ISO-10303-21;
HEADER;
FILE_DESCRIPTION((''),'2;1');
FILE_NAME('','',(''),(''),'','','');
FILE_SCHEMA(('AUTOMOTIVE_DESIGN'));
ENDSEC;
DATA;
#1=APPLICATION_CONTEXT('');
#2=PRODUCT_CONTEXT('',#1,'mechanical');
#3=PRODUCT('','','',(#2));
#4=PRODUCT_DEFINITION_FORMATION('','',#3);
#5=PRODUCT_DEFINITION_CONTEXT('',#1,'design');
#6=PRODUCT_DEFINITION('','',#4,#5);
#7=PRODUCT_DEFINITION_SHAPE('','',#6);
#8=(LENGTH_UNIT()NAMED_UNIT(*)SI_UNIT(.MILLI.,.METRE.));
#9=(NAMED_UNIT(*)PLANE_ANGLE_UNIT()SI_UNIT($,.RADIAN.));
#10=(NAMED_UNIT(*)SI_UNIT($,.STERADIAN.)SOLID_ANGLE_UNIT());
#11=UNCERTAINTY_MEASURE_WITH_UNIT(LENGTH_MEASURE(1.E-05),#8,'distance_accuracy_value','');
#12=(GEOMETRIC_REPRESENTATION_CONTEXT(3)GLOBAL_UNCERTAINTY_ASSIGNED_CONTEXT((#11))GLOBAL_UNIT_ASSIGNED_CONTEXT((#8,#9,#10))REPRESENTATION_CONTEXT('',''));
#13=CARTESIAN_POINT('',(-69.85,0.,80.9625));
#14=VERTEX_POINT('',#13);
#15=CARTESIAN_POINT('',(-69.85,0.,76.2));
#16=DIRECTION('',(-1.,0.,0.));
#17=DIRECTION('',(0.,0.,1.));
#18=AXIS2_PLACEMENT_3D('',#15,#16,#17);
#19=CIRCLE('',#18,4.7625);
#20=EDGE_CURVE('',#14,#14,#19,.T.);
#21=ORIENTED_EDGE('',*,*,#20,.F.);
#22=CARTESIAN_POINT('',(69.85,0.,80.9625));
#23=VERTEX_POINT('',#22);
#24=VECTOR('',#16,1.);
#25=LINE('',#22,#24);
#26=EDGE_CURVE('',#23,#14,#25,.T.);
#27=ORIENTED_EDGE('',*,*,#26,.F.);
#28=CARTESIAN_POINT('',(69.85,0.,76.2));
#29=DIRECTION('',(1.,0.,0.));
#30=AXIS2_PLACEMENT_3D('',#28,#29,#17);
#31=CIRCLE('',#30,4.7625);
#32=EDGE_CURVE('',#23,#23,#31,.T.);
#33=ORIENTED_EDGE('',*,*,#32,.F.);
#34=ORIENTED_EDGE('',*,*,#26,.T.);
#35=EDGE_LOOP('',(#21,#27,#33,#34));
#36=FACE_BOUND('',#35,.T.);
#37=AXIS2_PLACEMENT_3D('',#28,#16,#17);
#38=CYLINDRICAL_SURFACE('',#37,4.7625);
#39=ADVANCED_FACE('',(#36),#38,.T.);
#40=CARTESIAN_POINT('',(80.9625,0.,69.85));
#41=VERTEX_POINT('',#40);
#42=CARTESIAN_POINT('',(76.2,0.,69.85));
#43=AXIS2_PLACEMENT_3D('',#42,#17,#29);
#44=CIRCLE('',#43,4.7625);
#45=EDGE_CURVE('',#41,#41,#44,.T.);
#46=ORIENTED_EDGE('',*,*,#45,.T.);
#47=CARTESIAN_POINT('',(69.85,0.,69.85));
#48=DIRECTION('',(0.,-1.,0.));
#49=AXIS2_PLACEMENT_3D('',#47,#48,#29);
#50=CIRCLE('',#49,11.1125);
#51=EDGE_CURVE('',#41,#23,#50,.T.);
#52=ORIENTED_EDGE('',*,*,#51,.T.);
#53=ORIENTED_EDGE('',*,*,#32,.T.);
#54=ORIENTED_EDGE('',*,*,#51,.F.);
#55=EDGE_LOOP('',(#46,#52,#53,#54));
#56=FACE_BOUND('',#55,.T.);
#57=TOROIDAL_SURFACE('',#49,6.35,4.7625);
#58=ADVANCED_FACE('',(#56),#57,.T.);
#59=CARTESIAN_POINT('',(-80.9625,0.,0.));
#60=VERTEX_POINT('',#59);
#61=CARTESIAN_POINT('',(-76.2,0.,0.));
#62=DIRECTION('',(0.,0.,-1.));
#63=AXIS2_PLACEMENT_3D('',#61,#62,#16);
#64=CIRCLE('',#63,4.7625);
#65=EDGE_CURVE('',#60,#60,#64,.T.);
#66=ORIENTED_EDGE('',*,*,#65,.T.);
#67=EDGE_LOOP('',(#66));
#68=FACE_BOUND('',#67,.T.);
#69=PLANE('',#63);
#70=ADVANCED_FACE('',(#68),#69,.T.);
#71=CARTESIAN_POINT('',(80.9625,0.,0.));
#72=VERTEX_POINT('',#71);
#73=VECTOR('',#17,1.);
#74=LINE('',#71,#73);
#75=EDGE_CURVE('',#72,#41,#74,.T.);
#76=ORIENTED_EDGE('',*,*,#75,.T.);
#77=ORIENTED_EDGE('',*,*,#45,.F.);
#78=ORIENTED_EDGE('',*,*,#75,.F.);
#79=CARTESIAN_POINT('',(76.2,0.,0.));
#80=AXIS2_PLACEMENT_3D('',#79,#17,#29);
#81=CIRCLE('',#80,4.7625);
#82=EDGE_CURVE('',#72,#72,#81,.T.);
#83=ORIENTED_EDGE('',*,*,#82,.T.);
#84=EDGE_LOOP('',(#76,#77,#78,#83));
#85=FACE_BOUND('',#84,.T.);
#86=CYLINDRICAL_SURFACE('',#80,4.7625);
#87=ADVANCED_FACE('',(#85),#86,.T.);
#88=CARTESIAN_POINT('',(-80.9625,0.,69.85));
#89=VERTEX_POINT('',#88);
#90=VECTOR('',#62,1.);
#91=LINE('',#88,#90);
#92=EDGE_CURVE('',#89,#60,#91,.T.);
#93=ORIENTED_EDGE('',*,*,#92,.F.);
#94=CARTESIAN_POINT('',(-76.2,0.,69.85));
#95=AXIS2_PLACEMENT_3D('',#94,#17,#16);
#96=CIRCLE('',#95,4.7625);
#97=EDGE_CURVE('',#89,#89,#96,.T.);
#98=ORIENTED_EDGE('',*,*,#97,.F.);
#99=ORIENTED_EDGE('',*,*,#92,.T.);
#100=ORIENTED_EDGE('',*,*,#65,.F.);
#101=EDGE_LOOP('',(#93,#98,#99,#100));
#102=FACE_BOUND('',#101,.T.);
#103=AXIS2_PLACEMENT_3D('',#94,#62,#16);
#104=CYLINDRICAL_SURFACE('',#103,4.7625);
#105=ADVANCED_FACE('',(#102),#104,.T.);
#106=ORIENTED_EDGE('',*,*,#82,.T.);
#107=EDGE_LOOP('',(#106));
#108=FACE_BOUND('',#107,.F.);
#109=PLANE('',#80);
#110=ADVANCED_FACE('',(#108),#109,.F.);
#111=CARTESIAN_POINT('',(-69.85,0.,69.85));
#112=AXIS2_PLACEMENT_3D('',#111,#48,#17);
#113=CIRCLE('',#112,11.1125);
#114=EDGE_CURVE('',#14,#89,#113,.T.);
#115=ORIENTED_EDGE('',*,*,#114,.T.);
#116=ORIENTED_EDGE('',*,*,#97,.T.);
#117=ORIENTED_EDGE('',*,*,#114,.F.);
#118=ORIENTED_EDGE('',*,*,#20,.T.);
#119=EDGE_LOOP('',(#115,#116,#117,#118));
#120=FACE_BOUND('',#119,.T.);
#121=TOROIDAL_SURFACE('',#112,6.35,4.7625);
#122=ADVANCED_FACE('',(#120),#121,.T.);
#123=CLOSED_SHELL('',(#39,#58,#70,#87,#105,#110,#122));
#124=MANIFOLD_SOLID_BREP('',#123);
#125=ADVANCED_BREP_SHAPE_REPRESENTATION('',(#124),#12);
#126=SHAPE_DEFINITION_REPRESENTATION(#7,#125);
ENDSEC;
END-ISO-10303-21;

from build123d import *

# Parameters (mm, degrees)
F0_R = 4.7625


with BuildPart() as f2:
    # F2: sweep along a path in F1
    with BuildLine(Plane.XZ) as f2_path:
        Line((76.2, 0), (76.2, 69.85))
        ThreePointArc((76.2, 69.85), (74.3401280605, 74.3401280605), (69.85, 76.2))
        Line((69.85, 76.2), (0, 76.2))
        Line((0, 76.2), (-69.85, 76.2))
        ThreePointArc((-69.85, 76.2), (-74.3401280605, 74.3401280605), (-76.2, 69.85))
        Line((-76.2, 69.85), (-76.2, 0))
    # F0 (on Top) → F2 (sweep)
    with BuildSketch(Plane.XY):
        with Locations((76.2, 0)):
            Circle(F0_R)
    sweep(path=f2_path.line)


solid = f2.part
